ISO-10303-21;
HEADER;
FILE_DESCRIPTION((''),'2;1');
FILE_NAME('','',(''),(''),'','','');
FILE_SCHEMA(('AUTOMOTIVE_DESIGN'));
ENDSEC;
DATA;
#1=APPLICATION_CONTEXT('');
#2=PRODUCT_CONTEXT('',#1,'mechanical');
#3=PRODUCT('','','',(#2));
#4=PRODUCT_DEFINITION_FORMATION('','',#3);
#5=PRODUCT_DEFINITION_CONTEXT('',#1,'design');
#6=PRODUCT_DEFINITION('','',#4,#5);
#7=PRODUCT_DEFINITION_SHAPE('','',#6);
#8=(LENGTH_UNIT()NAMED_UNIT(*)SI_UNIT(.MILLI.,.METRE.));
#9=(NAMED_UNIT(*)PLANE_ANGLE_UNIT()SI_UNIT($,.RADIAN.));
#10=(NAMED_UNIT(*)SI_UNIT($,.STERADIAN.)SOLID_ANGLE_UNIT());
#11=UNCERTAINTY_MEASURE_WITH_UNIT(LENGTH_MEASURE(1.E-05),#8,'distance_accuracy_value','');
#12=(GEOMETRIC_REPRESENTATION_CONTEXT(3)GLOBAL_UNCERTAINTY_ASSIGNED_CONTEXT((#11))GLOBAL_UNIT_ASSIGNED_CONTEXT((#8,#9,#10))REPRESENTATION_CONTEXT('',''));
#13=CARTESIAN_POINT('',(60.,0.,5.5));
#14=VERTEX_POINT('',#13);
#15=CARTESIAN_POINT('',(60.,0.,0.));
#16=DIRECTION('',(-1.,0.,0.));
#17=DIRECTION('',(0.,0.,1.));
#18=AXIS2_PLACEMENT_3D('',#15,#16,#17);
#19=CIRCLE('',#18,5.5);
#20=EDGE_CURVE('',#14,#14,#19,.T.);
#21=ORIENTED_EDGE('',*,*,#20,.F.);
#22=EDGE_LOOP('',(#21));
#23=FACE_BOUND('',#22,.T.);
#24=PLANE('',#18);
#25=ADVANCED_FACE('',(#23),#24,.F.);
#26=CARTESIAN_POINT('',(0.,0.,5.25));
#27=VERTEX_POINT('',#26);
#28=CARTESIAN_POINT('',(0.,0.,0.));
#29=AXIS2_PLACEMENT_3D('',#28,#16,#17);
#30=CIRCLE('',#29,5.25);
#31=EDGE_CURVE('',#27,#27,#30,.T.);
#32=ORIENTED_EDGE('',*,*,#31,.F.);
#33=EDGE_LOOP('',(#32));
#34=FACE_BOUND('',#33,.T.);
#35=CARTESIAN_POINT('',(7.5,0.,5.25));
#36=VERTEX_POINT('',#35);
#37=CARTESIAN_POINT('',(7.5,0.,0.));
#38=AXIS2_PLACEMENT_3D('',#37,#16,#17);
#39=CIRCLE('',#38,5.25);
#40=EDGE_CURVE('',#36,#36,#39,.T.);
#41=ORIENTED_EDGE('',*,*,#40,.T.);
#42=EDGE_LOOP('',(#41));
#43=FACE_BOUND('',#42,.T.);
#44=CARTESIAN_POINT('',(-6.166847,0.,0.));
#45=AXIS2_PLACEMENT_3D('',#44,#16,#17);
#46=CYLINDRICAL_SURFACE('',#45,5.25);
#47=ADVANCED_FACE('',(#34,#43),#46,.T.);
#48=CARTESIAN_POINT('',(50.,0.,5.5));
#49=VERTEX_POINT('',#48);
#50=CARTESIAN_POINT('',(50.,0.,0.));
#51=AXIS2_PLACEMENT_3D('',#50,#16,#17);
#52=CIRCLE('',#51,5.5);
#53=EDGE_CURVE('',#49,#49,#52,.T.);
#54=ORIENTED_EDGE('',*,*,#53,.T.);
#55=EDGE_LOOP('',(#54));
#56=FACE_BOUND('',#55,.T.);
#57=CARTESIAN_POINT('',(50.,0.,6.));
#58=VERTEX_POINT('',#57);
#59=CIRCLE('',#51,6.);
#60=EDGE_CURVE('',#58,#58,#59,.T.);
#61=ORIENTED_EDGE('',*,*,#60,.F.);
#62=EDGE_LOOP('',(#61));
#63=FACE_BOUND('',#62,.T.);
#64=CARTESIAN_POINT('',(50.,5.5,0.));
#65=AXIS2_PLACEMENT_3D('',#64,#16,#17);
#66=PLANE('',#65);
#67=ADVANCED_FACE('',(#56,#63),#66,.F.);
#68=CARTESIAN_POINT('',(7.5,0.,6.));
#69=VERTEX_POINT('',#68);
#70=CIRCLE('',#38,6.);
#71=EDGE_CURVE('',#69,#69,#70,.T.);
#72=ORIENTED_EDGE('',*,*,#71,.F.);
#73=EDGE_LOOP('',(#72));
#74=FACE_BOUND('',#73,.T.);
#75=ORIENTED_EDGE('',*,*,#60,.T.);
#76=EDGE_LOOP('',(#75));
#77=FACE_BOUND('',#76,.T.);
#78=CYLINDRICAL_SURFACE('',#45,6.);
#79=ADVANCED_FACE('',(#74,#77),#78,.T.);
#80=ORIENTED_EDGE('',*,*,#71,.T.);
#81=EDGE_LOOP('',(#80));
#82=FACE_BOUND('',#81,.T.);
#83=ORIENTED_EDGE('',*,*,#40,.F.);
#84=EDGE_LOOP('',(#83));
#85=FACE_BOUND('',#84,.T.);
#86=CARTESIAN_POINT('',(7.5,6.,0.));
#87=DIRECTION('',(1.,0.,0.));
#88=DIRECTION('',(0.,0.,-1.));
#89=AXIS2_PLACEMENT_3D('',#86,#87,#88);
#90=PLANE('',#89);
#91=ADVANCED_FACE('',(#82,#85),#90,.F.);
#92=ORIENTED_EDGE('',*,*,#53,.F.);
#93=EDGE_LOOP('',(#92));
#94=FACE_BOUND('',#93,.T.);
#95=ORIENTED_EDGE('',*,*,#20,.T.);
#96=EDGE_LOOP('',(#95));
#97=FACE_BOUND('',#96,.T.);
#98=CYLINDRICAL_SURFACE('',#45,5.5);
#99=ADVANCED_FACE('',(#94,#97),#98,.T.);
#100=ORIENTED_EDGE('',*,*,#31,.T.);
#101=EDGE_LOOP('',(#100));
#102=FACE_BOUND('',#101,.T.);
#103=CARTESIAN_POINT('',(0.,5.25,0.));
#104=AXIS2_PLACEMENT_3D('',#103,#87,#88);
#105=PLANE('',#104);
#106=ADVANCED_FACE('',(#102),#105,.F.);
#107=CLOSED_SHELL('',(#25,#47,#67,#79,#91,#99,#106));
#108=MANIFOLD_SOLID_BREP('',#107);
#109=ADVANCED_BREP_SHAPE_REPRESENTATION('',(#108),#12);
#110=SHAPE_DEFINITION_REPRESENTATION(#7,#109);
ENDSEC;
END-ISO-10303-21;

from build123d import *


with BuildPart() as part:
    # Sketch1 → Revolve1 (revolve)
    with BuildSketch(Plane.XY):
        Polygon((0, 0), (60, 0), (60, 5.5), (50, 5.5), (50, 6), (7.5, 6), (7.5, 5.25), (0, 5.25), align=None)
    revolve(axis=Axis((-6.166847311, 0, 0), (1, 0, 0)))


solid = part.part
